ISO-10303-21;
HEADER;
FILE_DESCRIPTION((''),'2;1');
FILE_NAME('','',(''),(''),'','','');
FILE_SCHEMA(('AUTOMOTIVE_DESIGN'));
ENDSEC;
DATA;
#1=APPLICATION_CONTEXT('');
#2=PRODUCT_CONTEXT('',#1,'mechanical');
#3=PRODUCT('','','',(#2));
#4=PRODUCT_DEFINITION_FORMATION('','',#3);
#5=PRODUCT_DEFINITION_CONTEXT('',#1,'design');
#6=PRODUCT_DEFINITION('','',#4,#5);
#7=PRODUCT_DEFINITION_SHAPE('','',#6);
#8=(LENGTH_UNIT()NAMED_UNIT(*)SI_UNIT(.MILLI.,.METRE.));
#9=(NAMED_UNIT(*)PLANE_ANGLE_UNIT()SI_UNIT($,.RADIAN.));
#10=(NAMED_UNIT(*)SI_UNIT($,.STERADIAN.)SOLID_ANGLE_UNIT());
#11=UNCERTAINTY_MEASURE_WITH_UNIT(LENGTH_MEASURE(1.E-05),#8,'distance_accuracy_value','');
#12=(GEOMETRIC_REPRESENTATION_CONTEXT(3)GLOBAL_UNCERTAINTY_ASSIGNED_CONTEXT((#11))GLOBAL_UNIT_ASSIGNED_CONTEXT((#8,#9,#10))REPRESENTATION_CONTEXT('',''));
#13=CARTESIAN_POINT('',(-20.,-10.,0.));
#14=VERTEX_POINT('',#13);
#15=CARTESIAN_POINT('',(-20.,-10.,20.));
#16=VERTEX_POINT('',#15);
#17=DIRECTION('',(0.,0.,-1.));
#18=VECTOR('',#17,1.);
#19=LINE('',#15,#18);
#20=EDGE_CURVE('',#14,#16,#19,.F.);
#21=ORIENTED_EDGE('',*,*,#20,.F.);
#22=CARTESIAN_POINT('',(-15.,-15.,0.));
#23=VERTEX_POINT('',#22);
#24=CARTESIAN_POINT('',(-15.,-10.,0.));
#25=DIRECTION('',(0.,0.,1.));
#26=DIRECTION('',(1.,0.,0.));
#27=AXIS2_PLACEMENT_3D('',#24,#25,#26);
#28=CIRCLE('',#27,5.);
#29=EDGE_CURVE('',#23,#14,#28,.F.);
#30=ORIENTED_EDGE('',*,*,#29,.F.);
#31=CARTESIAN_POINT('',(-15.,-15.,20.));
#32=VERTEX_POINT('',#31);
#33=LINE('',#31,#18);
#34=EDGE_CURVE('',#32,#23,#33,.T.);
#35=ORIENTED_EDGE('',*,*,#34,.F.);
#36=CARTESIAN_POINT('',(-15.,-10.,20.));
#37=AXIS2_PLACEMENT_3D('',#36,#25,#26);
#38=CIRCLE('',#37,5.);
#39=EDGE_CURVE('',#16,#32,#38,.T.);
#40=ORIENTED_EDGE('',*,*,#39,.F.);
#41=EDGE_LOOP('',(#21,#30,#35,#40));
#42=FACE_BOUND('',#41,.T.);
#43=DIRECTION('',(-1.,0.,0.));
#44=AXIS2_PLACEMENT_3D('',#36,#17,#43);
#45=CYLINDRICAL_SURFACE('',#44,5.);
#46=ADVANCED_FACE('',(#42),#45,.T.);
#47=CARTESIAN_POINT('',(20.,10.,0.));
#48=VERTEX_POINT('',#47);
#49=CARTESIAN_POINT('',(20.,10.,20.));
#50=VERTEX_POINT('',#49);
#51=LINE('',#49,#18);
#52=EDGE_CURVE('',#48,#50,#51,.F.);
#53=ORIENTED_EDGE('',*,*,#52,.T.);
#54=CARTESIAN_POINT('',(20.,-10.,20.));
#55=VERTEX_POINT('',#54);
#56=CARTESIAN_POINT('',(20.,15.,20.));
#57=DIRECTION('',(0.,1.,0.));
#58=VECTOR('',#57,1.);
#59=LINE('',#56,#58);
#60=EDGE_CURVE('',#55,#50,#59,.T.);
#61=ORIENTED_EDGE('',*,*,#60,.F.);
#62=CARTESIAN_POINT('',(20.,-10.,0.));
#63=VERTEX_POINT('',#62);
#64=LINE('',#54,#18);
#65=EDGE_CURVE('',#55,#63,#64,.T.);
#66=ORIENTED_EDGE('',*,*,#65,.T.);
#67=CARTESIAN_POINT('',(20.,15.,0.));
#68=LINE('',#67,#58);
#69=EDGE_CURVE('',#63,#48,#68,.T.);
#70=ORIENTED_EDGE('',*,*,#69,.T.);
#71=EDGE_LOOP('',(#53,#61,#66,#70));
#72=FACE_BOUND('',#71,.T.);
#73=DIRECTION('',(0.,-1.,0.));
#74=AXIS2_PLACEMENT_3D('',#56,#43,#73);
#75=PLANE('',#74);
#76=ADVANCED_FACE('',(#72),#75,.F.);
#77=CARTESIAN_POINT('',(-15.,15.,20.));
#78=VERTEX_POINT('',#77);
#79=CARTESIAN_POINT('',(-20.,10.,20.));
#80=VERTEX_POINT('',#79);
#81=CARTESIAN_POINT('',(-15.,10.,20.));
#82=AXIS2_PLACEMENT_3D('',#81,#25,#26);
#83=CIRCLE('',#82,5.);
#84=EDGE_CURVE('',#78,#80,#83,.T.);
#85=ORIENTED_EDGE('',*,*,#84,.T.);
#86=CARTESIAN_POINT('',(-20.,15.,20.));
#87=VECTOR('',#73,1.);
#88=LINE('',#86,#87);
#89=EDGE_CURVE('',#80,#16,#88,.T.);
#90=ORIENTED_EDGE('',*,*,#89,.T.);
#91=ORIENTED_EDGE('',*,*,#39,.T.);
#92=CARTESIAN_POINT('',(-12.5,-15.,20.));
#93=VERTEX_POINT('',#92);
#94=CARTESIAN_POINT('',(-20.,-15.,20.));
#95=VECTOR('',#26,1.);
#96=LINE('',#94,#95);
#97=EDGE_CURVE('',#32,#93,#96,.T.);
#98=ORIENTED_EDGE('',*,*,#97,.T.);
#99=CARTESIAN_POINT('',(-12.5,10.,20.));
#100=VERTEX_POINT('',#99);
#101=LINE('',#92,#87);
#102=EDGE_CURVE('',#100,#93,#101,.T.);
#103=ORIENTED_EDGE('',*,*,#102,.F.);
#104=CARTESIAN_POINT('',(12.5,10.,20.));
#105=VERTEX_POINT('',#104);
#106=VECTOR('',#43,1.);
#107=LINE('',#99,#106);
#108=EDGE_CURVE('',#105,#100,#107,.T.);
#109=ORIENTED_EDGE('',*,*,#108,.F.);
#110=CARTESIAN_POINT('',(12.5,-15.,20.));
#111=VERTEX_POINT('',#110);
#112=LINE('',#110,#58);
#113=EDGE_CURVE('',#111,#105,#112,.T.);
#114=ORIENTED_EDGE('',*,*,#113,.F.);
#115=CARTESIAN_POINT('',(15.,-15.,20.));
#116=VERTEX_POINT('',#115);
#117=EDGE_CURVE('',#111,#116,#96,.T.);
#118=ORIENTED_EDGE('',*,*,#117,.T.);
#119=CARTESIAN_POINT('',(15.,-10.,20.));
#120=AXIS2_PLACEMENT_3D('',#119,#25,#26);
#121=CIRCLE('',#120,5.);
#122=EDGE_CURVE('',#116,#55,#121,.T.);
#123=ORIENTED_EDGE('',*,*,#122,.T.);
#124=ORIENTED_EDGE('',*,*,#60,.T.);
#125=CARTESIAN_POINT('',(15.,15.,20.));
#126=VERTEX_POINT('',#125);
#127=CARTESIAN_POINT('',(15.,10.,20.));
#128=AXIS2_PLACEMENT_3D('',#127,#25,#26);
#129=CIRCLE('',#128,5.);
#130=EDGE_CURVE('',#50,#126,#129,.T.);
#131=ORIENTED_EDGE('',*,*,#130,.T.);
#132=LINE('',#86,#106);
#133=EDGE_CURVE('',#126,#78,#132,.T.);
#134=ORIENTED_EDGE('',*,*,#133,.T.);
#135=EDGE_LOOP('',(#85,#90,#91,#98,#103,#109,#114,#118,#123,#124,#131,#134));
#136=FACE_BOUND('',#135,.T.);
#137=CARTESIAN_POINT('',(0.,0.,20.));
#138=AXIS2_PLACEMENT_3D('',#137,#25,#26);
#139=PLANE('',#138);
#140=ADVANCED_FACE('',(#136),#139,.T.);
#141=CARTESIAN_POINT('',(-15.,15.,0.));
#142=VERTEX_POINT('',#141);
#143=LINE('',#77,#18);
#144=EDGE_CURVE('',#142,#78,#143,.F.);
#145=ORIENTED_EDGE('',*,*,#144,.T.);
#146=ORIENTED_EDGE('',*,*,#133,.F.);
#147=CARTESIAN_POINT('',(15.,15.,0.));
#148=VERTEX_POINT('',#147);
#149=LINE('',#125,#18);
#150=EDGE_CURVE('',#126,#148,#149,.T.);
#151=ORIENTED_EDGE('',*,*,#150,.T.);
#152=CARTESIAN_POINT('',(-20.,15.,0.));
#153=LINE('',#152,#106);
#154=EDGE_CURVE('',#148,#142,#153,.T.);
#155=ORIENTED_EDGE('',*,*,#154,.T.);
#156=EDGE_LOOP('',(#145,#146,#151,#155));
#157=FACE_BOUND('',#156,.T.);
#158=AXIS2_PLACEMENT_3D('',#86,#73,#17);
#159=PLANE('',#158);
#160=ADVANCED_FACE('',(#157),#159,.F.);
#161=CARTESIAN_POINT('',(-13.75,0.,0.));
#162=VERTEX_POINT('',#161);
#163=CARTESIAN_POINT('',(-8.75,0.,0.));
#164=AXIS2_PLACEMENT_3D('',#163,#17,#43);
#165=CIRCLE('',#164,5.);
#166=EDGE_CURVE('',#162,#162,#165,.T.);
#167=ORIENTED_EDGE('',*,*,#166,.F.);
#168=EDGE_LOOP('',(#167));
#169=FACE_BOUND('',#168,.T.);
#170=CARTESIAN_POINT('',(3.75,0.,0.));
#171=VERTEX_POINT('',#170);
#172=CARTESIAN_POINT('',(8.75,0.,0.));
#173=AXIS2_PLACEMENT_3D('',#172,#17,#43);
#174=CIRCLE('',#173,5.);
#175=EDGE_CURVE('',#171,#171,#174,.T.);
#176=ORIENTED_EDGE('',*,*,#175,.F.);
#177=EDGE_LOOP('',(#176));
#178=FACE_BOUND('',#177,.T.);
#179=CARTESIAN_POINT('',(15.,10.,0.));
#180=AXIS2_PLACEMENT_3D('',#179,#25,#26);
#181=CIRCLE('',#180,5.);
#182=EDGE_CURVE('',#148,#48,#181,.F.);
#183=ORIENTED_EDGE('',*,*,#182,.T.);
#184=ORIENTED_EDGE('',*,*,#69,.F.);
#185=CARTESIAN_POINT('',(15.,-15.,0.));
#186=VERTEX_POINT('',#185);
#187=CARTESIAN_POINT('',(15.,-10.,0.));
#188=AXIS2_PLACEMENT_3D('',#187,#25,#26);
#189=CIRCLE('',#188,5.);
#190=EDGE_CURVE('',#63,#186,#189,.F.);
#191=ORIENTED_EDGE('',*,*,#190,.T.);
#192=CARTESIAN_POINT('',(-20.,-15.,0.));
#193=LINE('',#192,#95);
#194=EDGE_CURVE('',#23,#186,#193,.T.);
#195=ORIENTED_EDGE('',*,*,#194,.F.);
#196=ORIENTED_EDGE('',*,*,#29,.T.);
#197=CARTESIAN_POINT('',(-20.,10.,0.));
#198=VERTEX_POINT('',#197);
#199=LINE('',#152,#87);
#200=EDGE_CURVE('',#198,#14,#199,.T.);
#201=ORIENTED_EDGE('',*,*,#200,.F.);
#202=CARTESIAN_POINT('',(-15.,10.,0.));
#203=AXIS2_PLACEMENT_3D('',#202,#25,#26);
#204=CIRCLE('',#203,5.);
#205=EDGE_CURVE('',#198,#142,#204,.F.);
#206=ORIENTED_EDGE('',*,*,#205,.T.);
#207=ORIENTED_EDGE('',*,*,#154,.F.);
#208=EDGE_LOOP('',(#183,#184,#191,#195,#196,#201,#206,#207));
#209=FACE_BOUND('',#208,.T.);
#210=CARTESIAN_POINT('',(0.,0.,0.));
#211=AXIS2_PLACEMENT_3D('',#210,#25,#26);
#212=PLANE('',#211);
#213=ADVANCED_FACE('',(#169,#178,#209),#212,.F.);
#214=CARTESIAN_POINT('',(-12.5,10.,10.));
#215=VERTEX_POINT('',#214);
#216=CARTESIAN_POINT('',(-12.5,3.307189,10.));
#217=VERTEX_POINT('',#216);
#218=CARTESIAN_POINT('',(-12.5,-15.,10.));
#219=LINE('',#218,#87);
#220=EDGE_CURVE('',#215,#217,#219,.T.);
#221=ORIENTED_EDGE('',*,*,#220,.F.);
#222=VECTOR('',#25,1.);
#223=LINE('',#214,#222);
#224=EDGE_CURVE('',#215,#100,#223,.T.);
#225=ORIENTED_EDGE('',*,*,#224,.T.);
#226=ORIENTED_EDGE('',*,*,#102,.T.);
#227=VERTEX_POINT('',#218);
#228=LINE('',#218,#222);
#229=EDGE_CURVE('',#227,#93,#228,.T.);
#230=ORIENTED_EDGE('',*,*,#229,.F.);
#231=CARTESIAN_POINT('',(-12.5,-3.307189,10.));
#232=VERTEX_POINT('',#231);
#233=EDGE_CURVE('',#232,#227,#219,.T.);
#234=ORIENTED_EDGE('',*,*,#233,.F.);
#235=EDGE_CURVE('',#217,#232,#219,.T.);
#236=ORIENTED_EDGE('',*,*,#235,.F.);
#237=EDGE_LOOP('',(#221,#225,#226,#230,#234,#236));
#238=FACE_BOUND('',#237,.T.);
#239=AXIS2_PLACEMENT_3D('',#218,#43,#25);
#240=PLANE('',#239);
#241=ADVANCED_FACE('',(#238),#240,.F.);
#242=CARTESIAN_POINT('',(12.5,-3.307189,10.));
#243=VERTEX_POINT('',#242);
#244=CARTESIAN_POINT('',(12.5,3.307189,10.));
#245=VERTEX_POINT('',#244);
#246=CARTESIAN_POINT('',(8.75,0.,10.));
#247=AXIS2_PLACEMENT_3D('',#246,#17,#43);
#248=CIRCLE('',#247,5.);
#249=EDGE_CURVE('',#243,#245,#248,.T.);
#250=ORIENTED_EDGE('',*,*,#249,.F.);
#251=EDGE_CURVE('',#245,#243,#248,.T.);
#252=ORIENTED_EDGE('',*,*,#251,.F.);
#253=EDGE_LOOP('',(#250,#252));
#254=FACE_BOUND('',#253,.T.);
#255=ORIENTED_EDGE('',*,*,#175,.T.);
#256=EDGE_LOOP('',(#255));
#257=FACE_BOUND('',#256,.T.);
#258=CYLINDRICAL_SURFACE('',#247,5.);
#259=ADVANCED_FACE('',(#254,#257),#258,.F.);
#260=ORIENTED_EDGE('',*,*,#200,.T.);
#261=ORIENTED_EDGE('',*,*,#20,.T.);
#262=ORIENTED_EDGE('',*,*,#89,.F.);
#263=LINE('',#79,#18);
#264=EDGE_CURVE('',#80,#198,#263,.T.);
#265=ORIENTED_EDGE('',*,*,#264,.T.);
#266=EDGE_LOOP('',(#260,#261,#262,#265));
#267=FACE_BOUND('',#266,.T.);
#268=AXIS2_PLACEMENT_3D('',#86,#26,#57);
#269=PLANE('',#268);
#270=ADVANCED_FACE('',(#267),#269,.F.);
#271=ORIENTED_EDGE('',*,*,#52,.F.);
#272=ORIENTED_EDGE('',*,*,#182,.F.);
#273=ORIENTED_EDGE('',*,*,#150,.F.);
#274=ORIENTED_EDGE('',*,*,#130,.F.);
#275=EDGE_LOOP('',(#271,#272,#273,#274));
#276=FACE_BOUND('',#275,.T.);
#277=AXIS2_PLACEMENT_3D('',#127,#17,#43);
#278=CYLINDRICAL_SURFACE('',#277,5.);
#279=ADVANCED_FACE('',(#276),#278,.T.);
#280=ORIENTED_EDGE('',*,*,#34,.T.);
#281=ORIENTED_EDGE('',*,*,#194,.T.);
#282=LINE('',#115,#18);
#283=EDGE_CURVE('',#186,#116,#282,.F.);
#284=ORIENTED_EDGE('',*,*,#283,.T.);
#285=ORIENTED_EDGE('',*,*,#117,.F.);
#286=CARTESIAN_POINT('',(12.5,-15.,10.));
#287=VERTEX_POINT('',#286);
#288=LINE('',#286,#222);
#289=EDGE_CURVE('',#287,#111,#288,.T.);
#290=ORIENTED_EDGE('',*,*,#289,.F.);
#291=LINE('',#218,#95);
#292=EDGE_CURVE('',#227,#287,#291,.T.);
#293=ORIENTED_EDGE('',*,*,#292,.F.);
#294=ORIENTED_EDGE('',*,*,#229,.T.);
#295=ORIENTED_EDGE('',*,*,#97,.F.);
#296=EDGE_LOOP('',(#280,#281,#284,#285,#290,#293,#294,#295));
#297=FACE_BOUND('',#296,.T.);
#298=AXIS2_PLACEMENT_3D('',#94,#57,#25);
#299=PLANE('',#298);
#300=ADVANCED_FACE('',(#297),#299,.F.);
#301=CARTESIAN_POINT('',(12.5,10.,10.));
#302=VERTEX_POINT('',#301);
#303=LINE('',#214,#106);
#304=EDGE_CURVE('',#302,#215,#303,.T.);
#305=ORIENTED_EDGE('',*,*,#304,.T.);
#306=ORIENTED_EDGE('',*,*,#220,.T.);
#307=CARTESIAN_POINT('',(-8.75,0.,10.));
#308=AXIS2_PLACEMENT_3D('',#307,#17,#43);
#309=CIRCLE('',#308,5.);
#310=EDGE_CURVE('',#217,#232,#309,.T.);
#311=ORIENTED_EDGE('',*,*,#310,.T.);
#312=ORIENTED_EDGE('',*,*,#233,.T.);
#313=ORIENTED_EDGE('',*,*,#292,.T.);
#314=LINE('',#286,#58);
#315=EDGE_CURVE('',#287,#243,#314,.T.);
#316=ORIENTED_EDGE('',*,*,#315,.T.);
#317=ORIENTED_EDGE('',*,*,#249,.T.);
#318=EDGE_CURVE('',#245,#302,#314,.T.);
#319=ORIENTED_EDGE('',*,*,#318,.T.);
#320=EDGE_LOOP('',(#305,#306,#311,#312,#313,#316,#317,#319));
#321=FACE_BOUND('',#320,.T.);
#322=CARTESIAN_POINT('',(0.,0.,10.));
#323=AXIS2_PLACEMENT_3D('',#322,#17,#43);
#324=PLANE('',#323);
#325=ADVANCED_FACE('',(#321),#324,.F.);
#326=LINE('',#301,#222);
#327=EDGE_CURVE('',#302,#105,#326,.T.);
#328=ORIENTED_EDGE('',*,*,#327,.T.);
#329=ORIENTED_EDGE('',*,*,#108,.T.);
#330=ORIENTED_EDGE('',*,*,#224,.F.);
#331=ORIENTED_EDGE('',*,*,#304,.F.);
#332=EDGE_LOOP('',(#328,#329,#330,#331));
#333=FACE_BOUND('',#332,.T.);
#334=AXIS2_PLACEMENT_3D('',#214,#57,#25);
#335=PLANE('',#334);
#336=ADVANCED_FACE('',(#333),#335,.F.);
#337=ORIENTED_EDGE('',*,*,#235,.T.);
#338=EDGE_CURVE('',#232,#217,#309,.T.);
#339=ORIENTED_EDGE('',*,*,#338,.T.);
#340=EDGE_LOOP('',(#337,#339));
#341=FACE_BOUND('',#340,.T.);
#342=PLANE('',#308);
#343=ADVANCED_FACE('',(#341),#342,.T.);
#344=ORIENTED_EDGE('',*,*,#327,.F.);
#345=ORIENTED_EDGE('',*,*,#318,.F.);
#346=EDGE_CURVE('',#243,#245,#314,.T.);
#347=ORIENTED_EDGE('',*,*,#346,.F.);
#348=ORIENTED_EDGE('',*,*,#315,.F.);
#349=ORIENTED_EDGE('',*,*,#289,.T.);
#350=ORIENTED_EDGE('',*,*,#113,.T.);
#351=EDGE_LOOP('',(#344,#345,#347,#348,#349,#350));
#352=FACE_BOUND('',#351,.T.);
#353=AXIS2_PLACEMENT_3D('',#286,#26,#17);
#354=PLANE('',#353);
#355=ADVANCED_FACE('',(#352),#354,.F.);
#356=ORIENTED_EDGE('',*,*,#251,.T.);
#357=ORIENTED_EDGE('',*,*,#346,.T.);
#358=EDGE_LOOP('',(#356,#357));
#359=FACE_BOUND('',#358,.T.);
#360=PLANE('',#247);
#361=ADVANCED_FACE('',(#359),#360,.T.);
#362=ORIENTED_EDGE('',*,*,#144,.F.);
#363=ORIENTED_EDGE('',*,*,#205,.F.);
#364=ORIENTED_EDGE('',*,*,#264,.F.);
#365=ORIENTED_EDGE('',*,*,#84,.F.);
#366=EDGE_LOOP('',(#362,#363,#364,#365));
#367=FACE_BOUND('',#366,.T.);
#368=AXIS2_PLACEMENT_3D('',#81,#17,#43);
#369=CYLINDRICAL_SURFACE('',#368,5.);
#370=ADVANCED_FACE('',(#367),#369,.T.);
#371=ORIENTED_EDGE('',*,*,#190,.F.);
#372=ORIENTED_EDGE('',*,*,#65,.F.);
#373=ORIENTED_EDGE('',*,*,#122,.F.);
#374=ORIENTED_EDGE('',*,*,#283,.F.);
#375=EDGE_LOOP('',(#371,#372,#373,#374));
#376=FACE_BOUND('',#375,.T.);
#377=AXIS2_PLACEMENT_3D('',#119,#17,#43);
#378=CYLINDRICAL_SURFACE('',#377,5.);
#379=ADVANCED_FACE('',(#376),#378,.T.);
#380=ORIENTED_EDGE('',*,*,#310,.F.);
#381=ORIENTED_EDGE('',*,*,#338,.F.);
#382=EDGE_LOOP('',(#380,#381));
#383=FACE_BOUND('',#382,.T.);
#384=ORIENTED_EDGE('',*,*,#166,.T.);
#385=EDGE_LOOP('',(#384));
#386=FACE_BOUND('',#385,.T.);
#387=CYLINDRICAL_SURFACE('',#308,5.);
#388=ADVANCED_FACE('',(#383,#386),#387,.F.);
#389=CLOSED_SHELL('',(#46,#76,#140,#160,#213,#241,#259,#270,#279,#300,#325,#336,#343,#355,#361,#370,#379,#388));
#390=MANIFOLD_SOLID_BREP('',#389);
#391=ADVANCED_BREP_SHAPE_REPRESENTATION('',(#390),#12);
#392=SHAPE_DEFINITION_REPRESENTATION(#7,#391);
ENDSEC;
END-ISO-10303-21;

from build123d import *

# Parameters (mm, degrees)
SKETCH1_W           = 40
SKETCH1_H           = 30
BOSS_EXTRUDE1_DEPTH = 20
FILLET1_R           = 5
SKETCH2_R           = 5
CUT_EXTRUDE1_DEPTH  = 10
SKETCH3_W           = 25
SKETCH3_H           = 25
CUT_EXTRUDE2_DEPTH  = 10


with BuildPart() as part:
    # Sketch1 → Boss-Extrude1 (new body)
    with BuildSketch(Plane.XY):
        Rectangle(SKETCH1_W, SKETCH1_H)
    extrude(amount=BOSS_EXTRUDE1_DEPTH)

    # Fillet1
    fillet1_edges = [part.edges().sort_by_distance(p)[0] for p in [
        (20, -15, 10),
        (-20, -15, 10),
        (-20, 15, 10),
        (20, 15, 10),
    ]]
    fillet(fillet1_edges, radius=FILLET1_R)

    # Sketch2 → Cut-Extrude1 (cut)
    with BuildSketch(Plane(origin=(0, 0, 0), x_dir=(-1, 0, 0), z_dir=(0, 0, -1))):
        with Locations((-8.75, 0)):
            Circle(SKETCH2_R)
        with Locations((8.75, 0)):
            Circle(SKETCH2_R)
    extrude(amount=-CUT_EXTRUDE1_DEPTH, mode=Mode.SUBTRACT)

    # Sketch3 → Cut-Extrude2 (cut)
    with BuildSketch(Plane.XY.offset(20)):
        with Locations((0, -2.5)):
            Rectangle(SKETCH3_W, SKETCH3_H)
    extrude(amount=-CUT_EXTRUDE2_DEPTH, mode=Mode.SUBTRACT)


solid = part.part
